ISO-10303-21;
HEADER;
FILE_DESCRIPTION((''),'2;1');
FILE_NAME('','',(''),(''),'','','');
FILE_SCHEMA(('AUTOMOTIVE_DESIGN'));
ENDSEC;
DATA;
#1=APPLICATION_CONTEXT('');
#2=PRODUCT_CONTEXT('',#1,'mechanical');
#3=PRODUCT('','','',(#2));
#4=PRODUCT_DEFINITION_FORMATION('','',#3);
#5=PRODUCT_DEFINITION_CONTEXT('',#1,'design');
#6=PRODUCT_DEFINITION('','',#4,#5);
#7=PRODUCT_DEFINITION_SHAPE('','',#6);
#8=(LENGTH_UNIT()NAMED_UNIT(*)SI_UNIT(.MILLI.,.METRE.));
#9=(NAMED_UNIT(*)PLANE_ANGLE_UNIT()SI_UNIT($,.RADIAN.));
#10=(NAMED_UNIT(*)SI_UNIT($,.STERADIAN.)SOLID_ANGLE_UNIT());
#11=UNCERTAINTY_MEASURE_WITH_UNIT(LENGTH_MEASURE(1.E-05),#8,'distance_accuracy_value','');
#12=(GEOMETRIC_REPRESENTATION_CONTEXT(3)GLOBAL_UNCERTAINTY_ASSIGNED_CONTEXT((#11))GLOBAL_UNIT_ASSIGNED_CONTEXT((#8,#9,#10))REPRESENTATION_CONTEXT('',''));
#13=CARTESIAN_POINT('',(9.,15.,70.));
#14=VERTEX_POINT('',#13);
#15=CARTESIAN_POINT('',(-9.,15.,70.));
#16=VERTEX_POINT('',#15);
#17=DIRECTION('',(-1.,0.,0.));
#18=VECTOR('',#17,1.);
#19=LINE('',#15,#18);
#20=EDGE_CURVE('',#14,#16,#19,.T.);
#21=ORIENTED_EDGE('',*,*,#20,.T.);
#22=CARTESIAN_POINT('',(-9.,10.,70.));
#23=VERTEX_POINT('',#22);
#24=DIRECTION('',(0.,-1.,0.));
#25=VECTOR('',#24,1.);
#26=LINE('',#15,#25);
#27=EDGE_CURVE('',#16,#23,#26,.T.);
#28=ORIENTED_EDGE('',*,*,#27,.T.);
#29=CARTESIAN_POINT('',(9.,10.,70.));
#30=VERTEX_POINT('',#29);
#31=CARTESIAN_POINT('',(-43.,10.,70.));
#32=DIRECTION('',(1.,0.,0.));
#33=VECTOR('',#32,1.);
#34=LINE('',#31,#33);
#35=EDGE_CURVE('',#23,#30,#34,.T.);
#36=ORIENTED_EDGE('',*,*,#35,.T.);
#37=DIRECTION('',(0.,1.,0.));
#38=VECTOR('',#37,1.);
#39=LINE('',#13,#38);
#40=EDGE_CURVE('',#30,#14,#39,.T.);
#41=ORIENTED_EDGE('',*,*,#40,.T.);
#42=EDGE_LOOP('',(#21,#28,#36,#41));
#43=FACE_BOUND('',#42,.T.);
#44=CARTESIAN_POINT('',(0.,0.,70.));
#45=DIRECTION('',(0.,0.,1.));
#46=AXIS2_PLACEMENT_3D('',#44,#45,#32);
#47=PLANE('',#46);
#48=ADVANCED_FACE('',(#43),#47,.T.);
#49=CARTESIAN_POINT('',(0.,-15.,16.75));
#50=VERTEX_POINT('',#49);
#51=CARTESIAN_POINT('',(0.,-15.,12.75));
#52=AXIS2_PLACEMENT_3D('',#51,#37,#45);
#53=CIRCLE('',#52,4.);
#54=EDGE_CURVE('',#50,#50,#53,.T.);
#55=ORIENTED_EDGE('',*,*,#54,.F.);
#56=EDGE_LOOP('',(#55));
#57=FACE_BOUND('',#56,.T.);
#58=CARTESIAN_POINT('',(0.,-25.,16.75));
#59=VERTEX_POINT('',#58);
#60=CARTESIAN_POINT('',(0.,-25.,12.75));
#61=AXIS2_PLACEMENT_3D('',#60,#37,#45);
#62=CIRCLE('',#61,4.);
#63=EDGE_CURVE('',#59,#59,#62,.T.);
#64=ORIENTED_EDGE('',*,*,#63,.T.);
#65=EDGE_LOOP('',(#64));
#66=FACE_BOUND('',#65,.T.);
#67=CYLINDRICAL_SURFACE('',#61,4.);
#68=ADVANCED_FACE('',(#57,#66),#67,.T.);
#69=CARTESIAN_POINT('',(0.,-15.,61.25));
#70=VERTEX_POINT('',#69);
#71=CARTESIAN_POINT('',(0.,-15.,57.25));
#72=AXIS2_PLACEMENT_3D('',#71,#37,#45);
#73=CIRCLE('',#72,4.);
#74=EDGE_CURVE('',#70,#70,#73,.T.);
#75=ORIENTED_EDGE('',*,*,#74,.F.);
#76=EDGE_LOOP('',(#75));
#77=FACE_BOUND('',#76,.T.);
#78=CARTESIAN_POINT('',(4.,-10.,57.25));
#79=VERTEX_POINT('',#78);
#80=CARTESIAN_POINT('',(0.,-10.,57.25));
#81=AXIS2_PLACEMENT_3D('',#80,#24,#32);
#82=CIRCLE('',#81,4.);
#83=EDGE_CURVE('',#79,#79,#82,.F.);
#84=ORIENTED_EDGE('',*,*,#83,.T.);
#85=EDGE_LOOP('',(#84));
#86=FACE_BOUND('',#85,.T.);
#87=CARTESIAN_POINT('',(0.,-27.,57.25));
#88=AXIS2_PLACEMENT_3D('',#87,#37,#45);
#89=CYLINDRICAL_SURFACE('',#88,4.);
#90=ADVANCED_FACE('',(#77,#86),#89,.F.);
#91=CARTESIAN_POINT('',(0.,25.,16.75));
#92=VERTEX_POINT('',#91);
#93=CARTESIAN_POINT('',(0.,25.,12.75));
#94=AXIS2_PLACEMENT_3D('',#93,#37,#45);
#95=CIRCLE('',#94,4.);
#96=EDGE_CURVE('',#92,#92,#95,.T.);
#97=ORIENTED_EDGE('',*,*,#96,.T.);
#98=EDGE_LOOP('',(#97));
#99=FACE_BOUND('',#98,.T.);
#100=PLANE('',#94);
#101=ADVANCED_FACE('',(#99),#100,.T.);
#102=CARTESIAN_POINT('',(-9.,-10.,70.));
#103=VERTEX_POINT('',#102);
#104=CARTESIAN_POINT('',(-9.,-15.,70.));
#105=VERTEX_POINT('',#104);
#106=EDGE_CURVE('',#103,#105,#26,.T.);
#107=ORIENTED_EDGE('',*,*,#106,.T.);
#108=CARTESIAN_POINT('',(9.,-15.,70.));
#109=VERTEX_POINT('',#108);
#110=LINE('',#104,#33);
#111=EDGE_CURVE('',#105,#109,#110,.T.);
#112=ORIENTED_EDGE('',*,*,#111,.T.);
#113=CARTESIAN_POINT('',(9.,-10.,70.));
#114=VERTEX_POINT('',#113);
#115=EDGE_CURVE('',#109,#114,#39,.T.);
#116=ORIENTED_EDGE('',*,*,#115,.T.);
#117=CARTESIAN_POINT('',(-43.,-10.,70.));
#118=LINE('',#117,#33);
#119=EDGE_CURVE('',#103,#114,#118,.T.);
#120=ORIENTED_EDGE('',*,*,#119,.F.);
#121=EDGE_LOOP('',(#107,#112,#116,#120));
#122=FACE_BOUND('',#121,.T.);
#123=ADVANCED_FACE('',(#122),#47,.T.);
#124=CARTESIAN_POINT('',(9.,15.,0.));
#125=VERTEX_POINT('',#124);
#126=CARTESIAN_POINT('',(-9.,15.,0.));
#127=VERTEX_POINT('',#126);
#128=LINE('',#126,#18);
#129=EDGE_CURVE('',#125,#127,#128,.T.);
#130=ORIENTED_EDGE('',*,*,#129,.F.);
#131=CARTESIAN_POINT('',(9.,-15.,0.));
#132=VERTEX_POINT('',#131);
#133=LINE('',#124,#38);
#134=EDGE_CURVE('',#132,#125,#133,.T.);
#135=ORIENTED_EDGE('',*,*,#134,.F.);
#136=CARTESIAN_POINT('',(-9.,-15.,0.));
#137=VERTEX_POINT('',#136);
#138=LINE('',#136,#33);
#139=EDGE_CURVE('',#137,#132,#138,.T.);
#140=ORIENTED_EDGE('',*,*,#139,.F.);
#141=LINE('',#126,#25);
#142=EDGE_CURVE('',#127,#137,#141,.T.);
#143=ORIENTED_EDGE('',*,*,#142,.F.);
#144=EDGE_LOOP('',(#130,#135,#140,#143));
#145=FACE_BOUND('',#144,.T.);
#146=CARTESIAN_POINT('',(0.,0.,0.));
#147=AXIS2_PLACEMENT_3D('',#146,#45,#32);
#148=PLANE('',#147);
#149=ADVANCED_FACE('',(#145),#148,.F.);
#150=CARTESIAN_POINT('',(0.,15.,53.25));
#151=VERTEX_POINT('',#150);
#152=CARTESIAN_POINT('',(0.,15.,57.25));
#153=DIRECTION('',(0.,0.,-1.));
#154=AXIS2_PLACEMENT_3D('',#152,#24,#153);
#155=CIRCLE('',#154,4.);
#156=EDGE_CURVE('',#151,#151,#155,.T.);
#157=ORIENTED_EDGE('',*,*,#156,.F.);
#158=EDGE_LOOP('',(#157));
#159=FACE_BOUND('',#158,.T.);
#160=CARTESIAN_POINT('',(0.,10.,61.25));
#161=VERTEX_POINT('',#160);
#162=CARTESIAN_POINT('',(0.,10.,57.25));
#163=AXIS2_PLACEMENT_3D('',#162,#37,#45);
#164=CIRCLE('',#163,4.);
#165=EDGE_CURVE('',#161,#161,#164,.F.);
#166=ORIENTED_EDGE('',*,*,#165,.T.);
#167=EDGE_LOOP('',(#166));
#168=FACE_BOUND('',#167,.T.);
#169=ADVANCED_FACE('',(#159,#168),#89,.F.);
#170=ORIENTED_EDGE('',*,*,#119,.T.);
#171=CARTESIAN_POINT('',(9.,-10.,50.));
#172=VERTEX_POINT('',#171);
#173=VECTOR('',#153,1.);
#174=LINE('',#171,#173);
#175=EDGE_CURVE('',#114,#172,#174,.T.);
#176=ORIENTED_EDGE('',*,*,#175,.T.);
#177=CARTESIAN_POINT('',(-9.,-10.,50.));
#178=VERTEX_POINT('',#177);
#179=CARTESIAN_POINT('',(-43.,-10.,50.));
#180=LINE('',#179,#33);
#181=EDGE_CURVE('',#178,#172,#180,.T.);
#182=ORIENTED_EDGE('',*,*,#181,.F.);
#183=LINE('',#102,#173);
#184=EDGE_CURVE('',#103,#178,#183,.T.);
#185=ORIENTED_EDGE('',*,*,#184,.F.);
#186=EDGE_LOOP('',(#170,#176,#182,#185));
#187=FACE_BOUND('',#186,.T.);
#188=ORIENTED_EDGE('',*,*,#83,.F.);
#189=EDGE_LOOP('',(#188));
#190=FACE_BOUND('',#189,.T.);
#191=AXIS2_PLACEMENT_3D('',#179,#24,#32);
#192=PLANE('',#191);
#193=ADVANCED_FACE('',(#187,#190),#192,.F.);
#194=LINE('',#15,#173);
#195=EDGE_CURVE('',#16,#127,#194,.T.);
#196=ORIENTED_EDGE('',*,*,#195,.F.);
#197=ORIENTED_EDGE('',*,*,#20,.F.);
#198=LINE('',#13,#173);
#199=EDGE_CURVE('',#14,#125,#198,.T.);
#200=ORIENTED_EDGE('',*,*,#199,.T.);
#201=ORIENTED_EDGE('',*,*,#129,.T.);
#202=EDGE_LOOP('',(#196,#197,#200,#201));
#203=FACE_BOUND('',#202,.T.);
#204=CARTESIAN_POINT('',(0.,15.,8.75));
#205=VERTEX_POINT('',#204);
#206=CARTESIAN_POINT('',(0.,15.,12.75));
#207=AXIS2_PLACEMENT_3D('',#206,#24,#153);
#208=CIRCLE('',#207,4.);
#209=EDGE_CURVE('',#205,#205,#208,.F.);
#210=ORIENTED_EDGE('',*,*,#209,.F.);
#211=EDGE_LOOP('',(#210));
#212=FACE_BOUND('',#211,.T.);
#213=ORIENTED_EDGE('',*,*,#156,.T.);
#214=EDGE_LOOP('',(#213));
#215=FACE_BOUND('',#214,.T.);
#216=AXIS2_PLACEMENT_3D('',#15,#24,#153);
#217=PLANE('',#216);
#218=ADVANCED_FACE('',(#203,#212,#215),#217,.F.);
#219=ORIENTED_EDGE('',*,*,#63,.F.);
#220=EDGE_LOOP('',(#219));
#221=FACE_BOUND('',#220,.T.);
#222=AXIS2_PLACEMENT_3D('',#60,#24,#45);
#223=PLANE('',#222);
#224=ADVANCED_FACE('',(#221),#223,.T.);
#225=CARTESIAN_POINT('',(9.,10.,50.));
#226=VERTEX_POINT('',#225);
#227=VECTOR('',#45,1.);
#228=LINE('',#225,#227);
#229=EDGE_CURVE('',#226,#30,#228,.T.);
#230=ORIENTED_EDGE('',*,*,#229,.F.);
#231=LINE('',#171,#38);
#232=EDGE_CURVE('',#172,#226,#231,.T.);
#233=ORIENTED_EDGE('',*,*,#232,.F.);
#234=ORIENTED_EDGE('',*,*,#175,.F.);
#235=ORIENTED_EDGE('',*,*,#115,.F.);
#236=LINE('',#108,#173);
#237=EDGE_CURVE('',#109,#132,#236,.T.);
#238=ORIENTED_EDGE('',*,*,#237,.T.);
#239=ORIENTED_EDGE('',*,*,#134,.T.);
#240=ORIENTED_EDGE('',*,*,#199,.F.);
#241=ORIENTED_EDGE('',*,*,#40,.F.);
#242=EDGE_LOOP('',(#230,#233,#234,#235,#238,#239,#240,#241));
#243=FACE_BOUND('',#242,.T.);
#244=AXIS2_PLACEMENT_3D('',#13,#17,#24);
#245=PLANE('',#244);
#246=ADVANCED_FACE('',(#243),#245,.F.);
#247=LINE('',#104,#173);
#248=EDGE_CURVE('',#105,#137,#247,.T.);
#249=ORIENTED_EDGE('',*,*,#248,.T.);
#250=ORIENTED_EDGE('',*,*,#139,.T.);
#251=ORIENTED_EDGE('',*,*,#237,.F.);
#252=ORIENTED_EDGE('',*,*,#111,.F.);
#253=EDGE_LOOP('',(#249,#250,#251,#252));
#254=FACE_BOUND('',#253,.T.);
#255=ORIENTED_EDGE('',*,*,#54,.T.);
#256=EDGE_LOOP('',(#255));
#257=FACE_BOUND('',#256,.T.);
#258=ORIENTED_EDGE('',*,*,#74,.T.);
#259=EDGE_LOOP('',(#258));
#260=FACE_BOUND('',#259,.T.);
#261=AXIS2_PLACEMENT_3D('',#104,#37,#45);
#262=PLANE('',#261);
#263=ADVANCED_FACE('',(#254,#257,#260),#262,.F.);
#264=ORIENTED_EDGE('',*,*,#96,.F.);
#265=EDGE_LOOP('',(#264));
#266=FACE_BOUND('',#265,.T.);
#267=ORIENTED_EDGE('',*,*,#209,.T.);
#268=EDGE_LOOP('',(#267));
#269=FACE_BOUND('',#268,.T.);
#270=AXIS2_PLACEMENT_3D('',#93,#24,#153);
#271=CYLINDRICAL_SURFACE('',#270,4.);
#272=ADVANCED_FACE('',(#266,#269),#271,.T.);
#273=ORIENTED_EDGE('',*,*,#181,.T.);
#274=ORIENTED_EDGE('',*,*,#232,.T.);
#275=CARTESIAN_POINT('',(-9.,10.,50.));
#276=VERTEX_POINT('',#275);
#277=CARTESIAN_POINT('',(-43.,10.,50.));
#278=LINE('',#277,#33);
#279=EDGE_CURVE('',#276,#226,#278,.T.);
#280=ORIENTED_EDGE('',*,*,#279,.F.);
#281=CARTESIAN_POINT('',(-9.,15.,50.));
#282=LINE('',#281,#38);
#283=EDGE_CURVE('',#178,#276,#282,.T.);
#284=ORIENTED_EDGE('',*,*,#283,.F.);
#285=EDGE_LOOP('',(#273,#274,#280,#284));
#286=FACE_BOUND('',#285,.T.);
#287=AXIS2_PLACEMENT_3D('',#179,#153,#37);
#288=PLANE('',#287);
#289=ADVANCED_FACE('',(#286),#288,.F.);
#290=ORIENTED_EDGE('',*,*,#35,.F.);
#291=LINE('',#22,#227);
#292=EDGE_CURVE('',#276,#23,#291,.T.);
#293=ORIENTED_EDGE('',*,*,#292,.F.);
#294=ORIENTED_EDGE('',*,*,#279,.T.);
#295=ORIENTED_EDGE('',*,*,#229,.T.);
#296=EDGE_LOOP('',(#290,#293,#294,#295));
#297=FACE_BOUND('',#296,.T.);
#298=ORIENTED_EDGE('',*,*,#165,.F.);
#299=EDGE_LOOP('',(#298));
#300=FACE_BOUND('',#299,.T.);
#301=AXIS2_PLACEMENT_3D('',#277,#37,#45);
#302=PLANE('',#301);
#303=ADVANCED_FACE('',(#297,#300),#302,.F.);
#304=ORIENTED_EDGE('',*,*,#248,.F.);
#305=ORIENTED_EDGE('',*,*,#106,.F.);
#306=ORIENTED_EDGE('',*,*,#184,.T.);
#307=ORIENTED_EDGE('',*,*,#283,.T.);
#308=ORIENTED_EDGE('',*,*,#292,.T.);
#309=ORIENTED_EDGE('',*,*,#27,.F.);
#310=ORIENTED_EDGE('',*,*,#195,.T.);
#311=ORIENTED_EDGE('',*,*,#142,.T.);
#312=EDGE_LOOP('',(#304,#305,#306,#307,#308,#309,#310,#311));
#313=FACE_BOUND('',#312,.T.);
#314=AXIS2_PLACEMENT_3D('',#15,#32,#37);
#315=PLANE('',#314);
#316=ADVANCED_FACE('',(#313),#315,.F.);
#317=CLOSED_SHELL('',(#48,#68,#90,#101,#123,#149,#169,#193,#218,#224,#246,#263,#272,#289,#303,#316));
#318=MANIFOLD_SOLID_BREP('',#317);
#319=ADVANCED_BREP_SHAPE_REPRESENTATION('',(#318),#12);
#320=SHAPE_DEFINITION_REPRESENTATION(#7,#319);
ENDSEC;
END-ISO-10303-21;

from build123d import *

# Parameters (mm, degrees)
ESQUISSE1_W             = 18
ESQUISSE1_H             = 30
BOSS_EXTRU_1_DEPTH      = 70
ESQUISSE2_R             = 4
BOSS_EXTRU_2_DEPTH      = 10
ESQUISSE3_R             = 4
ENL_V_MAT_EXTRU_1_DEPTH = 52
ESQUISSE4_W             = 20
ESQUISSE4_H             = 20
ENL_V_MAT_EXTRU_2_DEPTH = 52


with BuildPart() as part:
    # Esquisse1 → Boss.-Extru.1 (new body)
    with BuildSketch(Plane.XY):
        Rectangle(ESQUISSE1_W, ESQUISSE1_H)
    extrude(amount=BOSS_EXTRU_1_DEPTH)

    # Esquisse2 → Boss.-Extru.2 (add)
    with BuildSketch(Plane(origin=(0, 15, 0), x_dir=(1, 0, 0), z_dir=(0, 1, 0))):
        with Locations((0, -12.75)):
            Circle(ESQUISSE2_R)
    boss_extru_2 = extrude(amount=BOSS_EXTRU_2_DEPTH)

    # Symétrie1: Boss.-Extru.2 across plane
    add(boss_extru_2.mirror(Plane.ZX))

    # Symétrie2: Boss.-Extru.2 across plane
    add(boss_extru_2.mirror(Plane.XY.offset(35)))

    # Esquisse3 → Enlèv. mat.-Extru.1 (cut)
    with BuildSketch(Plane(origin=(0, 25, 0), x_dir=(1, 0, 0), z_dir=(0, 1, 0))):
        with Locations((0, -57.25)):
            Circle(ESQUISSE3_R)
    extrude(amount=-ENL_V_MAT_EXTRU_1_DEPTH, mode=Mode.SUBTRACT)

    # Esquisse4 → Enlèv. mat.-Extru.2 (cut)
    with BuildSketch(Plane(origin=(9, 0, 0), x_dir=(0, 0, -1), z_dir=(1, 0, 0))):
        with Locations((-60, 0)):
            Rectangle(ESQUISSE4_W, ESQUISSE4_H)
    extrude(amount=-ENL_V_MAT_EXTRU_2_DEPTH, mode=Mode.SUBTRACT)


solid = part.part
